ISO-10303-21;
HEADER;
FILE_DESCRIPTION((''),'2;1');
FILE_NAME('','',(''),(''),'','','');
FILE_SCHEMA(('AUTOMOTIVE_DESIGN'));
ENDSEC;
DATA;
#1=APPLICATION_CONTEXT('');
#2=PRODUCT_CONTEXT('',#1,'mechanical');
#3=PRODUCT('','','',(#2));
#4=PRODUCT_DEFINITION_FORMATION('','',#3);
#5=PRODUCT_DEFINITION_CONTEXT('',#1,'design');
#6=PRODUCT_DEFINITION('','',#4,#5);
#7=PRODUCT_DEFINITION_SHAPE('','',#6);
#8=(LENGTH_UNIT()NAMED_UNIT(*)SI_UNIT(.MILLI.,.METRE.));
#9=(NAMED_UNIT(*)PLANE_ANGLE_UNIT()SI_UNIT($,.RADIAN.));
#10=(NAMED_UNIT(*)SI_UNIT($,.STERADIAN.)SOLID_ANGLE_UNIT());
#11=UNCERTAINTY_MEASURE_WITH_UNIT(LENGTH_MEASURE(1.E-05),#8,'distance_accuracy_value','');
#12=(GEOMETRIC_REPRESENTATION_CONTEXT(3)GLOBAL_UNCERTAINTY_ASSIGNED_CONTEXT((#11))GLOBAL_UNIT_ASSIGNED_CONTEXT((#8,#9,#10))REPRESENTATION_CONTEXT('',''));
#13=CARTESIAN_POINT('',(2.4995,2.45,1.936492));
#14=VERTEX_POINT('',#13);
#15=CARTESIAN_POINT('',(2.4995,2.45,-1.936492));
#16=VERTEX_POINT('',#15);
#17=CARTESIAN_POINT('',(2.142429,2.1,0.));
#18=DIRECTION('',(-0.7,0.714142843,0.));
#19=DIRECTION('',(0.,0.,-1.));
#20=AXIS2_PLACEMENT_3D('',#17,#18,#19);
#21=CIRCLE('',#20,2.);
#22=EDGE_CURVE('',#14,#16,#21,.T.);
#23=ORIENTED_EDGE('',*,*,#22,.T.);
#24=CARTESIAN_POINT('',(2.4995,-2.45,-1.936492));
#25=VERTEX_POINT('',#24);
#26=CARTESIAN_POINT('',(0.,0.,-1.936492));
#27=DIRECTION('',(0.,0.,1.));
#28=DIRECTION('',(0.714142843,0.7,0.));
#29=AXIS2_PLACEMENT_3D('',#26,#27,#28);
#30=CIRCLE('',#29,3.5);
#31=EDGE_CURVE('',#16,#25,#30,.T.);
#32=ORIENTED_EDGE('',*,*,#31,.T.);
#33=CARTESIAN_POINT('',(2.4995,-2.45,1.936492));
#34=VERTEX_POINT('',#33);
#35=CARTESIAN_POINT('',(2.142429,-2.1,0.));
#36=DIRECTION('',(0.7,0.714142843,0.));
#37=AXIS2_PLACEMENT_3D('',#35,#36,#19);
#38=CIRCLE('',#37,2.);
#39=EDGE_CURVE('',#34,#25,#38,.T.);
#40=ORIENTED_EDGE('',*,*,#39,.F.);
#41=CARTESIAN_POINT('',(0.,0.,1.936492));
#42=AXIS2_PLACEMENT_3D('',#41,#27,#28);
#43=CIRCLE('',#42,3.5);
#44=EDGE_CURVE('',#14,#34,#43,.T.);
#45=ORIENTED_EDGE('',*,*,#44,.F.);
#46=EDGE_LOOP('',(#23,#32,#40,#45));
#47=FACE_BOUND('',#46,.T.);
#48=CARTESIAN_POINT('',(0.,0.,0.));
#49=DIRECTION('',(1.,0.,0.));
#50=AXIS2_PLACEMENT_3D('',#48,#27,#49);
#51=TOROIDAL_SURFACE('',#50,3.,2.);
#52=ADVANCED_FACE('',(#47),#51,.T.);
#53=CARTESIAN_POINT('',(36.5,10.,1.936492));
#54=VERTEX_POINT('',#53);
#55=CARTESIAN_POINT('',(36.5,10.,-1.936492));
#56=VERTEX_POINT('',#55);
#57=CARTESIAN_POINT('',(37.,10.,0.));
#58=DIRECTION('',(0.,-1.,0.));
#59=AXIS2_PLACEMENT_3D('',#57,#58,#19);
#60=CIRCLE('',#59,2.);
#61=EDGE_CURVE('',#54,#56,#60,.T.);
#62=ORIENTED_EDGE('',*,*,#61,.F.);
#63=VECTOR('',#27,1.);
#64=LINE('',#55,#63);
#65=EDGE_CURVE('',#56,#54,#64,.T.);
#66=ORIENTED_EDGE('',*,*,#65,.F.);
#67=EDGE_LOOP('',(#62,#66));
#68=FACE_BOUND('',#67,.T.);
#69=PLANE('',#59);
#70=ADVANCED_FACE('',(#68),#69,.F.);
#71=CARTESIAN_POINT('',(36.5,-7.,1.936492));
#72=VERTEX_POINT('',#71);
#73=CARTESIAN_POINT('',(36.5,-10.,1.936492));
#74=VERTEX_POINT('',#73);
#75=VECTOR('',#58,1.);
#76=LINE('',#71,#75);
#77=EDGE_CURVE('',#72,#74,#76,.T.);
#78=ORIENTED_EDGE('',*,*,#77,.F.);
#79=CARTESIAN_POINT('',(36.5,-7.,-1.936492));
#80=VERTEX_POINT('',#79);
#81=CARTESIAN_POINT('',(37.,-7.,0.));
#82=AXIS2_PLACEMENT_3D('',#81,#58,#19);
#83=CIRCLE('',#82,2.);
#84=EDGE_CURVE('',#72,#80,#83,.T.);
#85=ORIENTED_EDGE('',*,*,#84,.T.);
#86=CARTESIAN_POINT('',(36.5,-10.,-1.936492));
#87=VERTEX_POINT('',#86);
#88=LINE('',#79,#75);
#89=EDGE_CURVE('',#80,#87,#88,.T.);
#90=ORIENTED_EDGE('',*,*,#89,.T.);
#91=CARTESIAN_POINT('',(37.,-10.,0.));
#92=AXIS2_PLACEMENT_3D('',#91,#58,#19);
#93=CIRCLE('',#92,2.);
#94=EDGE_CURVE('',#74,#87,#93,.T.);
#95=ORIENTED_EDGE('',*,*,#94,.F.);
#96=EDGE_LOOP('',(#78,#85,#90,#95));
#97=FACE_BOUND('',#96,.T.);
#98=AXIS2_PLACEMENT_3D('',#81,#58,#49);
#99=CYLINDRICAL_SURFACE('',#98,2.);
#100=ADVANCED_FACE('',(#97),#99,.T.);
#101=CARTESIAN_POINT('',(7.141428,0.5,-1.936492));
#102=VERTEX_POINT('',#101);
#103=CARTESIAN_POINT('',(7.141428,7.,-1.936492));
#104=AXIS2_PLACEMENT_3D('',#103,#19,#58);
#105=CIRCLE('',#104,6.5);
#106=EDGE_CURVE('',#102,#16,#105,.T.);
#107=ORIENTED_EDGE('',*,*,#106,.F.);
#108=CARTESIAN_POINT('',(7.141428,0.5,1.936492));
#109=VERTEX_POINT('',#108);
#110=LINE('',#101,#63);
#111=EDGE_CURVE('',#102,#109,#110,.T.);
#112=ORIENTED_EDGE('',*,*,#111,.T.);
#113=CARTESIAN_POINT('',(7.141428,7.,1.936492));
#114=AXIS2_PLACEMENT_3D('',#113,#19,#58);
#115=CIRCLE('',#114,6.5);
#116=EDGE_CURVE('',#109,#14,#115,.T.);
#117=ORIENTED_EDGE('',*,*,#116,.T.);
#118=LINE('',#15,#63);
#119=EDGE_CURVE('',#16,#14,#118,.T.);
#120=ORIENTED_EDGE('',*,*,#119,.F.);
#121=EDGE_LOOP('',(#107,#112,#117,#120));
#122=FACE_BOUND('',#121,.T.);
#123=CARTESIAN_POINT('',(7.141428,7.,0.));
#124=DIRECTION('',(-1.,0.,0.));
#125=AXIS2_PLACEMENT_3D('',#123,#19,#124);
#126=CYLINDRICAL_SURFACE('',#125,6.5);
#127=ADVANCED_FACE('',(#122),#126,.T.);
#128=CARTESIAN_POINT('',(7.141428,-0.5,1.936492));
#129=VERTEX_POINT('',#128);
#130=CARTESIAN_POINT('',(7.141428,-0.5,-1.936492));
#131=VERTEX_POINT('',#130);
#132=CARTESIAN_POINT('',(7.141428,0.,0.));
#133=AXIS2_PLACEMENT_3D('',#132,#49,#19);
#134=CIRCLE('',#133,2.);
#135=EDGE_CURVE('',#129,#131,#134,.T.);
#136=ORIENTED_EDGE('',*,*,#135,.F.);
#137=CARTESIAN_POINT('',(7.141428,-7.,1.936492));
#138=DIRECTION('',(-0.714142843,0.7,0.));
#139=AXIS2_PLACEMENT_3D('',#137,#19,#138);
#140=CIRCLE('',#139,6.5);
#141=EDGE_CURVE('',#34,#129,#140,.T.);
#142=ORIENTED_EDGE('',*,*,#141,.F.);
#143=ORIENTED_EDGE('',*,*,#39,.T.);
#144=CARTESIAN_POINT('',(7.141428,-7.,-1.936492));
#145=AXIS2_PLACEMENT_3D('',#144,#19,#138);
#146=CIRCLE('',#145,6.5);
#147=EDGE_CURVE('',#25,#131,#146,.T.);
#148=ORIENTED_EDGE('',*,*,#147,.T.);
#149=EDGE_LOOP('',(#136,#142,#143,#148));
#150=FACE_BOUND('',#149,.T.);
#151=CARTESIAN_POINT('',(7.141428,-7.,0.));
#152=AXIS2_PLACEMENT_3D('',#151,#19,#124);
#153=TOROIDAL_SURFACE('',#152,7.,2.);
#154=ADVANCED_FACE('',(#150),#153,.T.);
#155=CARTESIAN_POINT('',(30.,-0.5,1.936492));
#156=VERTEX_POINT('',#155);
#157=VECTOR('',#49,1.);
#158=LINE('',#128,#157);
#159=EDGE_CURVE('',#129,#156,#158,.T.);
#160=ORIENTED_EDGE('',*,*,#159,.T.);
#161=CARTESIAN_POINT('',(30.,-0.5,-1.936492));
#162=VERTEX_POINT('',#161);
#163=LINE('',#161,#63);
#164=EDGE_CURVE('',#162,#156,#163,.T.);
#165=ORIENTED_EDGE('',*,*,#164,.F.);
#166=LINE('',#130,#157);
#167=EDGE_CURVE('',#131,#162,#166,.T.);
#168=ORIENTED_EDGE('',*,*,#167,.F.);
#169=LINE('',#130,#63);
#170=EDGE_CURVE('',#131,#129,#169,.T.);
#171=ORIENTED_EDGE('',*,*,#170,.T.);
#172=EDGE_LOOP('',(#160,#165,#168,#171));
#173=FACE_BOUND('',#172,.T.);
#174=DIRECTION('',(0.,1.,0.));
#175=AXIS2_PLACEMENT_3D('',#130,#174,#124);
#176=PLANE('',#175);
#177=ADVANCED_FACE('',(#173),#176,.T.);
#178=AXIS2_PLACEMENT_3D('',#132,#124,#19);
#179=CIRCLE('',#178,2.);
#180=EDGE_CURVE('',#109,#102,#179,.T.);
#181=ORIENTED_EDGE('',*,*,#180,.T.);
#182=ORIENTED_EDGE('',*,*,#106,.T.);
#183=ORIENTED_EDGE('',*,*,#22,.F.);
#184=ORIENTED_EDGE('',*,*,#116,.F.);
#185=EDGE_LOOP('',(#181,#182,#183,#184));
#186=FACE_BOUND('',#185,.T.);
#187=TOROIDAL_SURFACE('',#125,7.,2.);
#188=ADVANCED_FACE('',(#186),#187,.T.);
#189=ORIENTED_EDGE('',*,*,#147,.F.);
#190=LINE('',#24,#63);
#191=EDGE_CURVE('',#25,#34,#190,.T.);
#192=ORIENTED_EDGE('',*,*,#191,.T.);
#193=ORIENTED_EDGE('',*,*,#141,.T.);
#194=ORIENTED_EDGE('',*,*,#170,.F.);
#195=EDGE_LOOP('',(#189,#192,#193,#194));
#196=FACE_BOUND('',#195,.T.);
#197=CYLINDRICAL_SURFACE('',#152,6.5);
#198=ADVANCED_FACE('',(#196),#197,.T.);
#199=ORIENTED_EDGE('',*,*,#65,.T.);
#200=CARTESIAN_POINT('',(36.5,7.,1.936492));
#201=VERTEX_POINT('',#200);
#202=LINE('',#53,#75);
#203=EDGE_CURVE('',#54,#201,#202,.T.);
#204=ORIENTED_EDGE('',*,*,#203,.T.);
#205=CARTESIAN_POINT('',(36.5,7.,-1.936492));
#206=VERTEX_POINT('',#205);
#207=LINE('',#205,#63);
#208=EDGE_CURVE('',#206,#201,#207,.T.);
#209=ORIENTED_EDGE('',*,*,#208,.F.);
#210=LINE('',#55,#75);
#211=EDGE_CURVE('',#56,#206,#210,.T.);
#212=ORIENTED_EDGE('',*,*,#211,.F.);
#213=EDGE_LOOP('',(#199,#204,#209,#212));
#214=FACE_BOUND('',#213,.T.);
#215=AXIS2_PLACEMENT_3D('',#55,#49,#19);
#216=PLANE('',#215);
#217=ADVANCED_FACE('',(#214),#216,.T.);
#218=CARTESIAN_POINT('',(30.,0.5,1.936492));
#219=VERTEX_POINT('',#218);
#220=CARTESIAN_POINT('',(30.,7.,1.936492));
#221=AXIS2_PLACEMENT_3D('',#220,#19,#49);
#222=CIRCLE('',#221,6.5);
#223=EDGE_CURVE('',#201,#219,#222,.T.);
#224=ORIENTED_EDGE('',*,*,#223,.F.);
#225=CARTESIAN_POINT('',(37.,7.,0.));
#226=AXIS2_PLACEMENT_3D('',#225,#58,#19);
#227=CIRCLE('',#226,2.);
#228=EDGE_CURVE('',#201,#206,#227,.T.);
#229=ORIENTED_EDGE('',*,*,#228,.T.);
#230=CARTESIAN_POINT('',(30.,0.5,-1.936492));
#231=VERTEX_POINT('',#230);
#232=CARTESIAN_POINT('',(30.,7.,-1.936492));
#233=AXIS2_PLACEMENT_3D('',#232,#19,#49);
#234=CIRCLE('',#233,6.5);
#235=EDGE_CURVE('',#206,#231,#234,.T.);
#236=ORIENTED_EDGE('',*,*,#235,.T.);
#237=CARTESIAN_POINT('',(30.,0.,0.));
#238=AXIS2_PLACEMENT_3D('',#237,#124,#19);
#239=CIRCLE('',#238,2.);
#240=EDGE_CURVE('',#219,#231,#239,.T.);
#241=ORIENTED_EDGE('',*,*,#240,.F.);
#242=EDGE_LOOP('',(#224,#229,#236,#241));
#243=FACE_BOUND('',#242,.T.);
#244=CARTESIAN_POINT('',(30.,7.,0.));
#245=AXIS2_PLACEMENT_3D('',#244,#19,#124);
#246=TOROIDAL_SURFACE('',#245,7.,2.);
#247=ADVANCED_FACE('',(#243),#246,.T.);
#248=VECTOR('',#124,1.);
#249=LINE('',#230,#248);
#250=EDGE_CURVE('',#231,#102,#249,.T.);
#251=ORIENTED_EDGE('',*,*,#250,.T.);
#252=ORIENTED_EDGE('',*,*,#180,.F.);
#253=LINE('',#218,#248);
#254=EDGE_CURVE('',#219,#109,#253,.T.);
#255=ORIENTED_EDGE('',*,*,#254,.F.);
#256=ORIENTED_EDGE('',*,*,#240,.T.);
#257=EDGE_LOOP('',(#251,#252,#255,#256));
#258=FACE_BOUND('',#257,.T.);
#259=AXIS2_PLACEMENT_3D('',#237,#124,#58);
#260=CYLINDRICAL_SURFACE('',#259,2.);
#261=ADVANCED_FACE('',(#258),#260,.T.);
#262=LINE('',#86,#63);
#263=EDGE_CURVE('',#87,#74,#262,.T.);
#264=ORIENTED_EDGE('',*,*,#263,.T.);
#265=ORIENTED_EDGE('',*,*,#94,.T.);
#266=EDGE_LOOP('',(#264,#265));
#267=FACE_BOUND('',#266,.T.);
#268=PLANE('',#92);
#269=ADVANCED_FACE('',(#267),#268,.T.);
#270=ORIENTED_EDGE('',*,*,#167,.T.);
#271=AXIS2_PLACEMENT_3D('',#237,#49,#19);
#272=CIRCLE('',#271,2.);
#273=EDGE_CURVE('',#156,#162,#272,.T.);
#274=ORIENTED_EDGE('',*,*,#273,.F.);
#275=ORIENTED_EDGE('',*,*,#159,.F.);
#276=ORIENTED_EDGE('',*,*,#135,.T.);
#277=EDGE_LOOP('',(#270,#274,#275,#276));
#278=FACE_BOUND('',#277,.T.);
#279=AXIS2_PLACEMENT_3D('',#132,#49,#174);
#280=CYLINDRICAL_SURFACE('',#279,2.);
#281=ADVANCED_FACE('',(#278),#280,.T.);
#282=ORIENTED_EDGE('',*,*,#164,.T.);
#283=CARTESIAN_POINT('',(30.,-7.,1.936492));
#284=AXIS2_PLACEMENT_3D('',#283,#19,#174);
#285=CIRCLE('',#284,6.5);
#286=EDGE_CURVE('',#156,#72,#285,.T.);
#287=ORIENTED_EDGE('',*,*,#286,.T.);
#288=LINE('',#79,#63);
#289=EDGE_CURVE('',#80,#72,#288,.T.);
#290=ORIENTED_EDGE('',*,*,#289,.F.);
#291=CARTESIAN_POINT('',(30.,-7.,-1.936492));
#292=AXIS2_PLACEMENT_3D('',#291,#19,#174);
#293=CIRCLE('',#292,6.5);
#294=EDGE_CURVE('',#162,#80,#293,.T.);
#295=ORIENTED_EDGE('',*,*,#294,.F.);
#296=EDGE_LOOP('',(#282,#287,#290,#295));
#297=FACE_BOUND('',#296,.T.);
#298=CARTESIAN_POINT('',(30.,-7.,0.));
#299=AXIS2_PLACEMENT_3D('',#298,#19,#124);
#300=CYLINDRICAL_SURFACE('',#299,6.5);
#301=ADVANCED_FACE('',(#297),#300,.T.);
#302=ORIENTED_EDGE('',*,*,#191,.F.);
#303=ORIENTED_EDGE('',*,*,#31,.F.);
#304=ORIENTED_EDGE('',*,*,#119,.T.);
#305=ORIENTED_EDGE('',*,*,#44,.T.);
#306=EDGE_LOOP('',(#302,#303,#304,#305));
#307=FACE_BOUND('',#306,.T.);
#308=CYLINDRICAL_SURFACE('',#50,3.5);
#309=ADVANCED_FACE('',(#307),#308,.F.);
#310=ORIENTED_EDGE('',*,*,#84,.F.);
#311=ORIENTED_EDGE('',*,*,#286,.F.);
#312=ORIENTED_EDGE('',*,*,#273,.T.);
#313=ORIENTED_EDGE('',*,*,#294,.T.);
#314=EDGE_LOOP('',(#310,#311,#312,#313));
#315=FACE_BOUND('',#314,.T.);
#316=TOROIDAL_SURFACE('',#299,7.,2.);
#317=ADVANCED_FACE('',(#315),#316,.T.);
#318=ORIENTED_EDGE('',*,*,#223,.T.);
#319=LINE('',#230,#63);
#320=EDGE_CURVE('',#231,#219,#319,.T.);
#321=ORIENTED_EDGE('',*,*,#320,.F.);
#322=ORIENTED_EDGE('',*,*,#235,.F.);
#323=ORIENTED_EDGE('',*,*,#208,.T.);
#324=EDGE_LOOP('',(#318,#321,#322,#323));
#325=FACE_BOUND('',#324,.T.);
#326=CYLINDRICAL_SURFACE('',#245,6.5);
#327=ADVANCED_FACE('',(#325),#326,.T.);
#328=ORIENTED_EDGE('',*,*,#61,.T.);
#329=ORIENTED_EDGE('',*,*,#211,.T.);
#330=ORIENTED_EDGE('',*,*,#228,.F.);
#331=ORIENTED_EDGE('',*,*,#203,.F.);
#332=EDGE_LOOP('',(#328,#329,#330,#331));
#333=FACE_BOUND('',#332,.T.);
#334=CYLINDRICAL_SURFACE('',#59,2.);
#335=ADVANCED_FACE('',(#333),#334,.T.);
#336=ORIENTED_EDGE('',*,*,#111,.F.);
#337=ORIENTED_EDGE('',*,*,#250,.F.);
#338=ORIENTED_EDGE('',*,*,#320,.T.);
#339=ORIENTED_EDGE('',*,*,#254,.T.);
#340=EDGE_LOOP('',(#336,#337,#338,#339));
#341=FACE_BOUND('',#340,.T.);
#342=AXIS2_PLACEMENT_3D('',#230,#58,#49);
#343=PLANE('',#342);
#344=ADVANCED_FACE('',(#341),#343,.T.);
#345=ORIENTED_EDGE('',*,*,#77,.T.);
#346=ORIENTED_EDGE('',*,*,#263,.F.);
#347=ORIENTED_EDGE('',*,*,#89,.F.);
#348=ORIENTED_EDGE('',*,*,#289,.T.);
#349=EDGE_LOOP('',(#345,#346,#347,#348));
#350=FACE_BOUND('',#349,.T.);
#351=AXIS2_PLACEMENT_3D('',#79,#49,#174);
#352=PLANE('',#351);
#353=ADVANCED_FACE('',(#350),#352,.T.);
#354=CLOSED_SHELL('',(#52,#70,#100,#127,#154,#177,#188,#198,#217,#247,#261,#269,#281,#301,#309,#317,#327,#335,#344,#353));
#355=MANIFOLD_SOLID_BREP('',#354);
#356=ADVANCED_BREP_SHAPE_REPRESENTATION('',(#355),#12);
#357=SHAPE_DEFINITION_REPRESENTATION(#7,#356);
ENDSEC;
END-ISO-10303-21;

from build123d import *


with BuildPart() as part:
    # Táhnout po křivce1: sweep along a path in Skica2
    with BuildLine(Plane.XY) as t_hnout_po_k_ivce1_path:
        Line((35, 10), (35, 7))
        ThreePointArc((35, 7), (33.535533906, 3.464466094), (30, 2))
        Line((30, 2), (7.141428429, 2))
        ThreePointArc((7.141428429, 2), (5.204936755, 2.390227771), (3.570714214, 3.5))
        ThreePointArc((3.570714214, 3.5), (-5, 0), (3.570714214, -3.5))
        ThreePointArc((3.570714214, -3.5), (5.204936755, -2.390227771), (7.141428429, -2))
        Line((7.141428429, -2), (30, -2))
        ThreePointArc((30, -2), (33.535533906, -3.464466094), (35, -7))
        Line((35, -7), (35, -10))
    # Skica4 → Táhnout po křivce1 (sweep)
    with BuildSketch(Plane(origin=(35, 10, 0), x_dir=(-1, 0, 0), z_dir=(0, -1, 0))):
        with BuildLine():
            Line((-1.5, 1.936491673), (-1.5, -1.936491673))
            ThreePointArc((-1.5, -1.936491673), (0, 0), (-1.5, 1.936491673))
        make_face()
    sweep(path=t_hnout_po_k_ivce1_path.line)


solid = part.part
